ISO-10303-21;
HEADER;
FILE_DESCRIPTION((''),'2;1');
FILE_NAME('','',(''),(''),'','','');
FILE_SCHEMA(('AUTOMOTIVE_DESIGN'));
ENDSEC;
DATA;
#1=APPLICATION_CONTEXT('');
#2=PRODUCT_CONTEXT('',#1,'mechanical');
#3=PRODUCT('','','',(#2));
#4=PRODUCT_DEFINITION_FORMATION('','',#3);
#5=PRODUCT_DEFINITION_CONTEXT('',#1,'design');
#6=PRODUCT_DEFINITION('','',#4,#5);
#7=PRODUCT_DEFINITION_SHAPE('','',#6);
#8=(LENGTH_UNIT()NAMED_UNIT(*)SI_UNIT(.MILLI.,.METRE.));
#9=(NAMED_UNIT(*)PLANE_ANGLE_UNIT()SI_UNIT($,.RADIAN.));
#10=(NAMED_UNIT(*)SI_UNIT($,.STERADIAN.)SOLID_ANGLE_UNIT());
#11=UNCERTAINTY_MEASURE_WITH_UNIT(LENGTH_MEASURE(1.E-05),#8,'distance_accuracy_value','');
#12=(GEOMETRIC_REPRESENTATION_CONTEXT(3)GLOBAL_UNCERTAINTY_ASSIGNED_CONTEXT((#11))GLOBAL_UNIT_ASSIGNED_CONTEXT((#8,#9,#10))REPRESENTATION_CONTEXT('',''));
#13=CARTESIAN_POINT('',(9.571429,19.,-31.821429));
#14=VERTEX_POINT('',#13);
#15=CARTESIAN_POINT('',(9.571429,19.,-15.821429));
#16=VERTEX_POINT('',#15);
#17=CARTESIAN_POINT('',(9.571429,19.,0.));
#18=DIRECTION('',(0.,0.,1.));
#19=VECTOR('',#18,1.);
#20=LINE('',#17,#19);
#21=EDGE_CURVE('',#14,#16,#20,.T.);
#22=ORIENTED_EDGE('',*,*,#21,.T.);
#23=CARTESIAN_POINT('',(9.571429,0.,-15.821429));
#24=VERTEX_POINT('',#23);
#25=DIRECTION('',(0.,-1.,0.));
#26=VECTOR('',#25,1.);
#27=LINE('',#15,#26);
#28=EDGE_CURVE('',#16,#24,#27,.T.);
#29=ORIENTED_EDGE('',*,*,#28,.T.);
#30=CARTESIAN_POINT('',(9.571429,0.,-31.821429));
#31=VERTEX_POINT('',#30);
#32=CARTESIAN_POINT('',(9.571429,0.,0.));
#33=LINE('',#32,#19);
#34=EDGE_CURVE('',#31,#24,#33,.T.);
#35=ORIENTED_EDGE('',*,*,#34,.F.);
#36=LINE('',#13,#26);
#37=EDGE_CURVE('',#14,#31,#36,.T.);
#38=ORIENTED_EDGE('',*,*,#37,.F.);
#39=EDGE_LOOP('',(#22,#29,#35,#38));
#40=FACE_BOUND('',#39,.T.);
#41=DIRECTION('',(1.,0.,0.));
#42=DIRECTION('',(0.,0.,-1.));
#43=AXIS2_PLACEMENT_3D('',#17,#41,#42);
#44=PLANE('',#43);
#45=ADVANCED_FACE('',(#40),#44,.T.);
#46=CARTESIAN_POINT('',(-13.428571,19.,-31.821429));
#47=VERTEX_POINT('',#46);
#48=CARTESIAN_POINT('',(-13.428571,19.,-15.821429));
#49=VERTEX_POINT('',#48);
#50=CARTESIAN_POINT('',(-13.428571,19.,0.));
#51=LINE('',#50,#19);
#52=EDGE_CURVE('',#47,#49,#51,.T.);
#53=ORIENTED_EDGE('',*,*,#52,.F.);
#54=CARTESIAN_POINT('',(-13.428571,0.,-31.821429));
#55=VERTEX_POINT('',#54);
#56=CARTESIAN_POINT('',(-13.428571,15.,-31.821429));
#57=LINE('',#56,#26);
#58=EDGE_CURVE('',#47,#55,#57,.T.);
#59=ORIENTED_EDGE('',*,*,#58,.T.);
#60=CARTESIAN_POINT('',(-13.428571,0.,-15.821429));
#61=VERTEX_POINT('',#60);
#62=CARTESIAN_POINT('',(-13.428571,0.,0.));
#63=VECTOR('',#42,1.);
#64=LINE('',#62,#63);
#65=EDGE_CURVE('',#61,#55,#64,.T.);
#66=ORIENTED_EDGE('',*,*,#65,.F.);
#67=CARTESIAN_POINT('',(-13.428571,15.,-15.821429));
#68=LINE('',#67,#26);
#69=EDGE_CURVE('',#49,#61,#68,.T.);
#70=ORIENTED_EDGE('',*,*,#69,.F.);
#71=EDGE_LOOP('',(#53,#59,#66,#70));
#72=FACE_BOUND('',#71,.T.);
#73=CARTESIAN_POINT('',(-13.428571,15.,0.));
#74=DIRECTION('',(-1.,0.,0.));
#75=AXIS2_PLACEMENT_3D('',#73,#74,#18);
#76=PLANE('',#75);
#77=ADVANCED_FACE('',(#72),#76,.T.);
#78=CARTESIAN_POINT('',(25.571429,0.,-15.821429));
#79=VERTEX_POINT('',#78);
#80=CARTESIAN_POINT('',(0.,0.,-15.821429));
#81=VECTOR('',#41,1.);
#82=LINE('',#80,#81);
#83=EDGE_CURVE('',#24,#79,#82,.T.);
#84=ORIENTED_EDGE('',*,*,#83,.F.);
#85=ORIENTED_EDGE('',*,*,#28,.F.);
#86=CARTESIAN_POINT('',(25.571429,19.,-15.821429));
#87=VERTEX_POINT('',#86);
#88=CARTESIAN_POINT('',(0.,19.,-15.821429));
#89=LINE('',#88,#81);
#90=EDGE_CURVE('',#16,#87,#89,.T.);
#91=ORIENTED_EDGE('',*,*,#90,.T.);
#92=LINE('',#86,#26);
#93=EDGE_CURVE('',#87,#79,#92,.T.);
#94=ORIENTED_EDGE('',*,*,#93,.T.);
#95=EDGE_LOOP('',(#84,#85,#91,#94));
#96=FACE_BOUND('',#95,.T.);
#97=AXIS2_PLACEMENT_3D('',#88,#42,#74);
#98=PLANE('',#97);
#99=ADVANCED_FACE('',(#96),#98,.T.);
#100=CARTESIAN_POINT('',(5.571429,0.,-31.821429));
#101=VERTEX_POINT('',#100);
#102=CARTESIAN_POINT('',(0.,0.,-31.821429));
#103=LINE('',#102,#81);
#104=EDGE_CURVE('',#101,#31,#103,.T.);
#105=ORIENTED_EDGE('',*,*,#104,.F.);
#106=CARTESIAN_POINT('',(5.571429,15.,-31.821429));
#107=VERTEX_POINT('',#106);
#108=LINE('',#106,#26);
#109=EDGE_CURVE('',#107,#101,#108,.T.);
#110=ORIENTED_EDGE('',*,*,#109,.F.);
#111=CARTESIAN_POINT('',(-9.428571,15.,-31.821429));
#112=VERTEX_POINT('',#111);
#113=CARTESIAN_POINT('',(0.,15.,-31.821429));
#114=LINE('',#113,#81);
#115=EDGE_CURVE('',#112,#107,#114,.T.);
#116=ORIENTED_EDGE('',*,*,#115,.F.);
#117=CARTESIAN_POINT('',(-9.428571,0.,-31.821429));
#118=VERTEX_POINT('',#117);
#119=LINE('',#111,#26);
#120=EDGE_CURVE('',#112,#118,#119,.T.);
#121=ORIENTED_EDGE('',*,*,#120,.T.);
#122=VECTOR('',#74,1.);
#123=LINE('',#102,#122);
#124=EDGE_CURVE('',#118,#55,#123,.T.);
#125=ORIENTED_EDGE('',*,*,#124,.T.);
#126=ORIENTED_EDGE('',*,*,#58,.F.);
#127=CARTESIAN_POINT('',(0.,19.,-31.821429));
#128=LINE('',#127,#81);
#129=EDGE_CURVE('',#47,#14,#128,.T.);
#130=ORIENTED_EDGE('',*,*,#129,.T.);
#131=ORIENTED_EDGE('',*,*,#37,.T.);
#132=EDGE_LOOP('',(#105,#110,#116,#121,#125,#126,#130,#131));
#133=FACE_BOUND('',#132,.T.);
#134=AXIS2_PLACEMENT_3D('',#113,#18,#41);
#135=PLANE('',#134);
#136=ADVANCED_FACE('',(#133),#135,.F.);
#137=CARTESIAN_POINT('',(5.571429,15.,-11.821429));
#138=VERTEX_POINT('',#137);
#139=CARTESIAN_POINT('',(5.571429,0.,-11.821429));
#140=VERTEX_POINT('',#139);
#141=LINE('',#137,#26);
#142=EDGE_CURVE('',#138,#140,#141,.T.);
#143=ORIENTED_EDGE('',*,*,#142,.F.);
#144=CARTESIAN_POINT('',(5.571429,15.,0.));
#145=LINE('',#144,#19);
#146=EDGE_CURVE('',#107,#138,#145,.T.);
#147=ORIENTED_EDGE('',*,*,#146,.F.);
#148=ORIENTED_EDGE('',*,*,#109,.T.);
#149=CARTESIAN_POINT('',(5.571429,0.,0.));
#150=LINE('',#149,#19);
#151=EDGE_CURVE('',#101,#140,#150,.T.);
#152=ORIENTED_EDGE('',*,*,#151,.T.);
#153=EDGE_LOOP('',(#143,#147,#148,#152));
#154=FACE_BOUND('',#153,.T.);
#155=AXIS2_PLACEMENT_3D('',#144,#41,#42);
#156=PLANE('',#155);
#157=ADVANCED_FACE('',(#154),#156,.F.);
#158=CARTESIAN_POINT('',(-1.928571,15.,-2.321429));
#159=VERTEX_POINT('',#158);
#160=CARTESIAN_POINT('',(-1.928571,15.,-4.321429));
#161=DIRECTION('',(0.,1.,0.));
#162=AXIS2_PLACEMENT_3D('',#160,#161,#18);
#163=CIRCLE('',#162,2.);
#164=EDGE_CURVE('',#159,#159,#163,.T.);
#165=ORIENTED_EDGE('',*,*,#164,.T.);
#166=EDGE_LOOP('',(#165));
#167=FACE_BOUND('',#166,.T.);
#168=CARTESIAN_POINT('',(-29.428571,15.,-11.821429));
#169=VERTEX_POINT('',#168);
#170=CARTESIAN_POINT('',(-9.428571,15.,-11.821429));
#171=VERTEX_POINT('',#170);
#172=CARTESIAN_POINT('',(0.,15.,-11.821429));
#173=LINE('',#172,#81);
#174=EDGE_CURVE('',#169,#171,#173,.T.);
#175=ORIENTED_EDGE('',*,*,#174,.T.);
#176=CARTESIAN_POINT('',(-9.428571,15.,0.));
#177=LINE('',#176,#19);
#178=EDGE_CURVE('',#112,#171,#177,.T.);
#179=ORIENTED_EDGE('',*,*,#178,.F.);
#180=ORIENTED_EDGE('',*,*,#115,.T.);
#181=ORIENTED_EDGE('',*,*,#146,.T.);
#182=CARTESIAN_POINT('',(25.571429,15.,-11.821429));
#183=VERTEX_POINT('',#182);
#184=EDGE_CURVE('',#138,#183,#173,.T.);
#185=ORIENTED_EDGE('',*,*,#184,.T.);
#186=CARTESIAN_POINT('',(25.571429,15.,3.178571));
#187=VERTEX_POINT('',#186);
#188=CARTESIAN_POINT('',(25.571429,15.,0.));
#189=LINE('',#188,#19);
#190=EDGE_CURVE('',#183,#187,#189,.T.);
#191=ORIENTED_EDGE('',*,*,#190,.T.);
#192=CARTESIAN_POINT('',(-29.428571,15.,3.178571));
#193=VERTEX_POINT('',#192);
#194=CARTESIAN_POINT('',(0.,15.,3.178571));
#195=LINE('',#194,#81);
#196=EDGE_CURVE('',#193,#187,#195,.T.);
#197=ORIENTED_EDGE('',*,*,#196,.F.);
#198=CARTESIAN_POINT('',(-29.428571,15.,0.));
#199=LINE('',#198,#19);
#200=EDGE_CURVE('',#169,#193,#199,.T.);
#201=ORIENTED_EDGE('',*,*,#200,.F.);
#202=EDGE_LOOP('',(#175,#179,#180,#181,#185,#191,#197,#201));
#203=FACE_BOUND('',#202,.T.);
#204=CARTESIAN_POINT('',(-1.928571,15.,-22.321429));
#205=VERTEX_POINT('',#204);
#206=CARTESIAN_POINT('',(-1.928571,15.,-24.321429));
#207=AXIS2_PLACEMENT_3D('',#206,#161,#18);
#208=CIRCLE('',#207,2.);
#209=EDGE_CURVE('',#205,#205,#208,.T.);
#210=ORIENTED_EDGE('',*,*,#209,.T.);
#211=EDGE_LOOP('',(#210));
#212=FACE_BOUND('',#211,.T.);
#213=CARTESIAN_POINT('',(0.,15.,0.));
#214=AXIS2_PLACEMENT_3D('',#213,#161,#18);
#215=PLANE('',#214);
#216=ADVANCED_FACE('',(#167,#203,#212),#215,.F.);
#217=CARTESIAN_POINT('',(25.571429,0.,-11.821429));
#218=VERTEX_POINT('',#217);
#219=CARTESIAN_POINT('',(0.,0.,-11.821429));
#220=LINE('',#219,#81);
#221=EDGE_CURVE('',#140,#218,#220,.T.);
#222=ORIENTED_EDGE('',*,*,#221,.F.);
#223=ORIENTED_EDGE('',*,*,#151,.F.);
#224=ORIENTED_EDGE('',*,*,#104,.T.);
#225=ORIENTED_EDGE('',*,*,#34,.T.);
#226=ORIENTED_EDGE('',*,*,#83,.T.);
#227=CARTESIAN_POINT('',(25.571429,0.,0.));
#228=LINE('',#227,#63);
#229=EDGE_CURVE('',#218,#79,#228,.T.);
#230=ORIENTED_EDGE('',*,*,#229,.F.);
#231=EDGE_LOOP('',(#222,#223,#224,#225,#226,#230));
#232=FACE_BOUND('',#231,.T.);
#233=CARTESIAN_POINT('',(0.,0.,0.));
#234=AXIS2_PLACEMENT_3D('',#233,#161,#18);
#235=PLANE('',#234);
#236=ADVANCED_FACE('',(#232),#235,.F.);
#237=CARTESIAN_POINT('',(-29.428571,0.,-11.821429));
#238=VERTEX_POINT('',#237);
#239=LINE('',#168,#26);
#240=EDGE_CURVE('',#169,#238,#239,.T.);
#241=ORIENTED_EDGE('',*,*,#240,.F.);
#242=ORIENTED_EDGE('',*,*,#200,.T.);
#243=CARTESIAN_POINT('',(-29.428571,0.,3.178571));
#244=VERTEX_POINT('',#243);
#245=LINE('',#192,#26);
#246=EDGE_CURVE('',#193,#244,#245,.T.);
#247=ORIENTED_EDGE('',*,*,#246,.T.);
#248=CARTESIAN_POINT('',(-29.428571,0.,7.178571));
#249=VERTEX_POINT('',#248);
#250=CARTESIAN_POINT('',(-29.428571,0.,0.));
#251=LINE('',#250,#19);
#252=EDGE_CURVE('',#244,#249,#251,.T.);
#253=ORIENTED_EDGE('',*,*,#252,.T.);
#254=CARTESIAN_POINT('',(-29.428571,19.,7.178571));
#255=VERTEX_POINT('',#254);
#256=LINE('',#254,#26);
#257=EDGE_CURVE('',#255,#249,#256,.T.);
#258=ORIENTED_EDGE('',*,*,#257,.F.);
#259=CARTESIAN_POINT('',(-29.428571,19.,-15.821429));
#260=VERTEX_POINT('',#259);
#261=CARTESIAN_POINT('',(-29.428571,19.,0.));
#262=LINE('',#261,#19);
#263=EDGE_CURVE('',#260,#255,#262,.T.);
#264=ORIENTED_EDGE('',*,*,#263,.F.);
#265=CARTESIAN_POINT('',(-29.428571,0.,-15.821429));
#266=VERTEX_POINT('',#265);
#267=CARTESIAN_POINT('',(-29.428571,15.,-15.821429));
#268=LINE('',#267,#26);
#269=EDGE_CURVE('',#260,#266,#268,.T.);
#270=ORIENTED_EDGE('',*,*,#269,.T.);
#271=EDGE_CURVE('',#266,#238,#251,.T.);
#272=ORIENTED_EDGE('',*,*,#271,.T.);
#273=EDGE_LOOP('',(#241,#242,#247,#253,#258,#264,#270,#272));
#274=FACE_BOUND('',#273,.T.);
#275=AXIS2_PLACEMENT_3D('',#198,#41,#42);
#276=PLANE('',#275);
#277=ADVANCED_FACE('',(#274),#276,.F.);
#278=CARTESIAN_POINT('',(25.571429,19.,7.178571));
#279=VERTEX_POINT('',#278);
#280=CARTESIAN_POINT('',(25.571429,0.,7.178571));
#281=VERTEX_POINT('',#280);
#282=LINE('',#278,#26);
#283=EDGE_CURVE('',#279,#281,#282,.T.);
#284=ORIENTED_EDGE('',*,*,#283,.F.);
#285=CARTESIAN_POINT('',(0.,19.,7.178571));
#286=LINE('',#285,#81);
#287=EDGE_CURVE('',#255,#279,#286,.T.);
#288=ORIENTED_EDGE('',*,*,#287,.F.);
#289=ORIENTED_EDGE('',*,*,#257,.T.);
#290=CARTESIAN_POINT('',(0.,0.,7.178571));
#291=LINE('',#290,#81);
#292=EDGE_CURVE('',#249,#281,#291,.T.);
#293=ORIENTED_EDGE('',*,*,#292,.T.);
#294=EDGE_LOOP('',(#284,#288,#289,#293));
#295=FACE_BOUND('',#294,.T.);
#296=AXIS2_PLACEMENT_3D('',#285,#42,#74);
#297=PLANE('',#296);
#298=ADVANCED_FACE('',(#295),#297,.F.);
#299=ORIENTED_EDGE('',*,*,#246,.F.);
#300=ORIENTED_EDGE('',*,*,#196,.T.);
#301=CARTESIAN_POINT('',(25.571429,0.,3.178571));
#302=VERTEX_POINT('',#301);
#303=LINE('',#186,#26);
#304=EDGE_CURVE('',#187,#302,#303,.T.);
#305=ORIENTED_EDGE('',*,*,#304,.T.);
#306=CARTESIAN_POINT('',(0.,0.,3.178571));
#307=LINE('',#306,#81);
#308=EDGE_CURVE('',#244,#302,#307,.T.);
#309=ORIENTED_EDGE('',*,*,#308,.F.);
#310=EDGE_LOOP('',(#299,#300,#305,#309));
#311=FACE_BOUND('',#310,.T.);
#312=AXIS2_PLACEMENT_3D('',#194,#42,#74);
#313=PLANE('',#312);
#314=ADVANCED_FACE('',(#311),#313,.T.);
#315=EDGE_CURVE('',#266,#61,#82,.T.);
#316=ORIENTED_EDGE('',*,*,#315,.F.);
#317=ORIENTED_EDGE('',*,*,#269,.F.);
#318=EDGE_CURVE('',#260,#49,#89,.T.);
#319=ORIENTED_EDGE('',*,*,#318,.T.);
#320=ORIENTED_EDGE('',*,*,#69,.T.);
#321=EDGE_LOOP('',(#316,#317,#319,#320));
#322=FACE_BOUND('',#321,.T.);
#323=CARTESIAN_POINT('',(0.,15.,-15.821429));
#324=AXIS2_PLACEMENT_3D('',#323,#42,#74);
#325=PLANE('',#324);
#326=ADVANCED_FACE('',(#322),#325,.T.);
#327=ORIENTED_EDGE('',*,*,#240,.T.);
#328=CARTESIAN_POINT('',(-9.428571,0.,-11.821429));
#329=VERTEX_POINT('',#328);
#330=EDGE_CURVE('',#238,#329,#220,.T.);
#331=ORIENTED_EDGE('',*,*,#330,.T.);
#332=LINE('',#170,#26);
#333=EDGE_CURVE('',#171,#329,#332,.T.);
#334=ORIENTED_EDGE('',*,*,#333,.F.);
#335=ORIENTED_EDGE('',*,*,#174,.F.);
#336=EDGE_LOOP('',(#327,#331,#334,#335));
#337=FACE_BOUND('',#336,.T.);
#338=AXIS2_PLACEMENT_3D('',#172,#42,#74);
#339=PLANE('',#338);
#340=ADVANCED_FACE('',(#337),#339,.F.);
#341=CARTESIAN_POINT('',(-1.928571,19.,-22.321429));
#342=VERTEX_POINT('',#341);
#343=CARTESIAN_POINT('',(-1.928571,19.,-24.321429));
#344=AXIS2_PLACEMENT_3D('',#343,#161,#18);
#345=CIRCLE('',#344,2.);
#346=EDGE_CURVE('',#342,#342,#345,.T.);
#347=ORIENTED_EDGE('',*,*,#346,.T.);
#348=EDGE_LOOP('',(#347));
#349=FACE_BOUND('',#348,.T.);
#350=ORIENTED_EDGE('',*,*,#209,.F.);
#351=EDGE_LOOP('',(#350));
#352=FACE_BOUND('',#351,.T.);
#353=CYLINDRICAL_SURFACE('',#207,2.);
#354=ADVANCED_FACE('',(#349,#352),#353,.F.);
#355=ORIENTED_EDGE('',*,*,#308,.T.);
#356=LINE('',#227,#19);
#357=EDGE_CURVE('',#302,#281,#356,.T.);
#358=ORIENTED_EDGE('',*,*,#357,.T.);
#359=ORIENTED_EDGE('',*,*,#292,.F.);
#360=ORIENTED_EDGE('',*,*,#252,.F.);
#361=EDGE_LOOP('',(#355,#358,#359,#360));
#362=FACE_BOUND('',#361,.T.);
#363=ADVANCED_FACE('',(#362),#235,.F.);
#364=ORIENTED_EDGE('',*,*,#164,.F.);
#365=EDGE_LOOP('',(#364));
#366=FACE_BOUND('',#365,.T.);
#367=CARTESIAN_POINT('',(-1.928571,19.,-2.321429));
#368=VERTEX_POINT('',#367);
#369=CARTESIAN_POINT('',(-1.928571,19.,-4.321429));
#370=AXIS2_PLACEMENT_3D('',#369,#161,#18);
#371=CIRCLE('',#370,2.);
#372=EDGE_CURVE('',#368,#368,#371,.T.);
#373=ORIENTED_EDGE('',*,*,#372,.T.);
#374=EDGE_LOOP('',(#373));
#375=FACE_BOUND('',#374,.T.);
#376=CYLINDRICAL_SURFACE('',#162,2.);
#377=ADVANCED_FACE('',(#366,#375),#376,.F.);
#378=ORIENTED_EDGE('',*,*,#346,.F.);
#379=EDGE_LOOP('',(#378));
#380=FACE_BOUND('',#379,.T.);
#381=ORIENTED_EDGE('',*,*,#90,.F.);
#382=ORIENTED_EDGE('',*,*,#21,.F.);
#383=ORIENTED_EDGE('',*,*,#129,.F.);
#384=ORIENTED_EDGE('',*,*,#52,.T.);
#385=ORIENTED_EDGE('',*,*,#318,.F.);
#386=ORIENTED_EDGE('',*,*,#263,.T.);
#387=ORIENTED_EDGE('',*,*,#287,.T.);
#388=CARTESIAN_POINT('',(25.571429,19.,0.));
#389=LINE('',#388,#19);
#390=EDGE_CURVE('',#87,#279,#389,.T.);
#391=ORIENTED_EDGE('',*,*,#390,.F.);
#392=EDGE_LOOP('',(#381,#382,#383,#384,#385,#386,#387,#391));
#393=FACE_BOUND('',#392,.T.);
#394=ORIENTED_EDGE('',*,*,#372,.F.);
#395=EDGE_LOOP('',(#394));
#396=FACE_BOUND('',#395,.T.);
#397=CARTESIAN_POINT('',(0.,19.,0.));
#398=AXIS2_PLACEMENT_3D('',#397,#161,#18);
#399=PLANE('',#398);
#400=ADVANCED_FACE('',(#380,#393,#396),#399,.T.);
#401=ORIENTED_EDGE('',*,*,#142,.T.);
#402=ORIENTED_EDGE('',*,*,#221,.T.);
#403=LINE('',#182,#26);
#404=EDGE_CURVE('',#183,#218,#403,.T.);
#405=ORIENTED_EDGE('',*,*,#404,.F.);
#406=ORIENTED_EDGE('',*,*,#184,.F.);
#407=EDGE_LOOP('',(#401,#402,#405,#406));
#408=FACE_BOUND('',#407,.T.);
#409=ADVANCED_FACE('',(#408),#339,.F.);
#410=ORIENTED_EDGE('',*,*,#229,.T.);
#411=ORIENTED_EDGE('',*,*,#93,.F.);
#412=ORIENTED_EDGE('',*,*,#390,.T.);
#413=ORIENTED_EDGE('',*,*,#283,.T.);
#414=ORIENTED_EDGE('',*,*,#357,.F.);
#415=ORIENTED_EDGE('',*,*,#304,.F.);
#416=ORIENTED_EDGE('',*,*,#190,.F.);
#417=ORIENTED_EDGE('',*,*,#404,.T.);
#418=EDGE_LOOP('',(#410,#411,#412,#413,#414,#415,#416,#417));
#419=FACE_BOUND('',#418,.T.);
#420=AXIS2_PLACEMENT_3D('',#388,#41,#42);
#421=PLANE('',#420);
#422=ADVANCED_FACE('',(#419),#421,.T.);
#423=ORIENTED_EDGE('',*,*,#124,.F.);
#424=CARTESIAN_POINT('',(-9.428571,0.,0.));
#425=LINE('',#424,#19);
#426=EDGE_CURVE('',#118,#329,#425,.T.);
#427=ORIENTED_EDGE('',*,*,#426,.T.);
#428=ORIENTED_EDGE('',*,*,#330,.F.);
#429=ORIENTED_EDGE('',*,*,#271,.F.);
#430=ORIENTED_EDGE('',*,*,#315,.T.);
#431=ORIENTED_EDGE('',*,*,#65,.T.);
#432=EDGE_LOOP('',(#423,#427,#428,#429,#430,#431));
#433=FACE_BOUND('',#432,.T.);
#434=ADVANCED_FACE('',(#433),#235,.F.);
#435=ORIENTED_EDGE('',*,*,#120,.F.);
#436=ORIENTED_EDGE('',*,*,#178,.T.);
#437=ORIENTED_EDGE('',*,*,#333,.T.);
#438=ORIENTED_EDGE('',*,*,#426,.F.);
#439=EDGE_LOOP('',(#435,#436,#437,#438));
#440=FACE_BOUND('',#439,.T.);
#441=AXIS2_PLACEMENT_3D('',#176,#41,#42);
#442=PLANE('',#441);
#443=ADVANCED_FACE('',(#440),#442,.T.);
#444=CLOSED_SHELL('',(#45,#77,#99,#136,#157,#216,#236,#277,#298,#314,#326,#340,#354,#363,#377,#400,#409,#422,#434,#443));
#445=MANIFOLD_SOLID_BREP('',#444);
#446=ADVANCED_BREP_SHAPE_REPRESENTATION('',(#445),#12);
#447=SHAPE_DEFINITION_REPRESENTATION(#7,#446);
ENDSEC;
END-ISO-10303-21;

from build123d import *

# Parameters (mm, degrees)
EXTRUDE_1_DEPTH     = 15
EXTRUDE_1_2_DEPTH   = 15
SKETCH_1_W          = 55
SKETCH_1_H          = 4
EXTRUDE_1_3_DEPTH   = 15
SKETCH_2_W          = 55
SKETCH_2_H          = 23
SKETCH_2_W_2        = 23
SKETCH_2_H_2        = 16
EXTRUDE_2_DEPTH     = 4
SKETCH_3_R          = 2
CUT_EXTRUDE_1_DEPTH = 4


with BuildPart() as part:
    # 草图1 → 凸台-拉伸1 (new body)
    with BuildSketch(Plane(origin=(0, 0, 0), x_dir=(1, 0, 0), z_dir=(0, 1, 0))):
        Polygon((-13.428571429, 15.821428571), (-29.428571429, 15.821428571), (-29.428571429, 11.821428571), (-11.428571429, 11.821428571), (-9.428571429, 11.821428571), (-9.428571429, 15.821428571), (-9.428571429, 31.821428571), (-13.428571429, 31.821428571), align=None)
    extrude(amount=EXTRUDE_1_DEPTH)



with BuildPart() as body_2:
    # 草图1 → Extrude 1 2 (new body)
    with BuildSketch(Plane(origin=(0, 0, 0), x_dir=(1, 0, 0), z_dir=(0, 1, 0))):
        Polygon((9.571428571, 31.821428571), (5.571428571, 31.821428571), (5.571428571, 15.821428571), (5.571428571, 11.821428571), (14.214285714, 11.821428571), (25.571428571, 11.821428571), (25.571428571, 15.821428571), (9.571428571, 15.821428571), align=None)
    extrude(amount=EXTRUDE_1_2_DEPTH)


with BuildPart() as body_3:
    # 草图1 → Extrude 1 3 (new body)
    with BuildSketch(Plane(origin=(0, 0, 0), x_dir=(1, 0, 0), z_dir=(0, 1, 0))):
        with Locations((-1.928571429, -5.178571429)):
            Rectangle(SKETCH_1_W, SKETCH_1_H)
    extrude(amount=EXTRUDE_1_3_DEPTH)


with BuildPart() as part_1:
    add(part.part)

    add(body_2.part)  # 凸台-拉伸2 merges body 2

    add(body_3.part)  # 凸台-拉伸2 merges body 3
    # 草图2 → 凸台-拉伸2 (add)
    with BuildSketch(Plane(origin=(0, 15, 0), x_dir=(1, 0, 0), z_dir=(0, 1, 0))):
        with Locations((-1.928571429, 4.321428571)):
            Rectangle(SKETCH_2_W, SKETCH_2_H)
        with Locations((-1.928571429, 23.821428571)):
            Rectangle(SKETCH_2_W_2, SKETCH_2_H_2)
    extrude(amount=EXTRUDE_2_DEPTH)

    # 草图3 → 切除-拉伸1 (cut)
    with BuildSketch(Plane(origin=(0, 19, 0), x_dir=(1, 0, 0), z_dir=(0, 1, 0))):
        with Locations((-1.928571429, 24.321428571)):
            Circle(SKETCH_3_R)
        with Locations((-1.928571429, 4.321428571)):
            Circle(SKETCH_3_R)
    extrude(amount=-CUT_EXTRUDE_1_DEPTH, mode=Mode.SUBTRACT)


solid = part_1.part
